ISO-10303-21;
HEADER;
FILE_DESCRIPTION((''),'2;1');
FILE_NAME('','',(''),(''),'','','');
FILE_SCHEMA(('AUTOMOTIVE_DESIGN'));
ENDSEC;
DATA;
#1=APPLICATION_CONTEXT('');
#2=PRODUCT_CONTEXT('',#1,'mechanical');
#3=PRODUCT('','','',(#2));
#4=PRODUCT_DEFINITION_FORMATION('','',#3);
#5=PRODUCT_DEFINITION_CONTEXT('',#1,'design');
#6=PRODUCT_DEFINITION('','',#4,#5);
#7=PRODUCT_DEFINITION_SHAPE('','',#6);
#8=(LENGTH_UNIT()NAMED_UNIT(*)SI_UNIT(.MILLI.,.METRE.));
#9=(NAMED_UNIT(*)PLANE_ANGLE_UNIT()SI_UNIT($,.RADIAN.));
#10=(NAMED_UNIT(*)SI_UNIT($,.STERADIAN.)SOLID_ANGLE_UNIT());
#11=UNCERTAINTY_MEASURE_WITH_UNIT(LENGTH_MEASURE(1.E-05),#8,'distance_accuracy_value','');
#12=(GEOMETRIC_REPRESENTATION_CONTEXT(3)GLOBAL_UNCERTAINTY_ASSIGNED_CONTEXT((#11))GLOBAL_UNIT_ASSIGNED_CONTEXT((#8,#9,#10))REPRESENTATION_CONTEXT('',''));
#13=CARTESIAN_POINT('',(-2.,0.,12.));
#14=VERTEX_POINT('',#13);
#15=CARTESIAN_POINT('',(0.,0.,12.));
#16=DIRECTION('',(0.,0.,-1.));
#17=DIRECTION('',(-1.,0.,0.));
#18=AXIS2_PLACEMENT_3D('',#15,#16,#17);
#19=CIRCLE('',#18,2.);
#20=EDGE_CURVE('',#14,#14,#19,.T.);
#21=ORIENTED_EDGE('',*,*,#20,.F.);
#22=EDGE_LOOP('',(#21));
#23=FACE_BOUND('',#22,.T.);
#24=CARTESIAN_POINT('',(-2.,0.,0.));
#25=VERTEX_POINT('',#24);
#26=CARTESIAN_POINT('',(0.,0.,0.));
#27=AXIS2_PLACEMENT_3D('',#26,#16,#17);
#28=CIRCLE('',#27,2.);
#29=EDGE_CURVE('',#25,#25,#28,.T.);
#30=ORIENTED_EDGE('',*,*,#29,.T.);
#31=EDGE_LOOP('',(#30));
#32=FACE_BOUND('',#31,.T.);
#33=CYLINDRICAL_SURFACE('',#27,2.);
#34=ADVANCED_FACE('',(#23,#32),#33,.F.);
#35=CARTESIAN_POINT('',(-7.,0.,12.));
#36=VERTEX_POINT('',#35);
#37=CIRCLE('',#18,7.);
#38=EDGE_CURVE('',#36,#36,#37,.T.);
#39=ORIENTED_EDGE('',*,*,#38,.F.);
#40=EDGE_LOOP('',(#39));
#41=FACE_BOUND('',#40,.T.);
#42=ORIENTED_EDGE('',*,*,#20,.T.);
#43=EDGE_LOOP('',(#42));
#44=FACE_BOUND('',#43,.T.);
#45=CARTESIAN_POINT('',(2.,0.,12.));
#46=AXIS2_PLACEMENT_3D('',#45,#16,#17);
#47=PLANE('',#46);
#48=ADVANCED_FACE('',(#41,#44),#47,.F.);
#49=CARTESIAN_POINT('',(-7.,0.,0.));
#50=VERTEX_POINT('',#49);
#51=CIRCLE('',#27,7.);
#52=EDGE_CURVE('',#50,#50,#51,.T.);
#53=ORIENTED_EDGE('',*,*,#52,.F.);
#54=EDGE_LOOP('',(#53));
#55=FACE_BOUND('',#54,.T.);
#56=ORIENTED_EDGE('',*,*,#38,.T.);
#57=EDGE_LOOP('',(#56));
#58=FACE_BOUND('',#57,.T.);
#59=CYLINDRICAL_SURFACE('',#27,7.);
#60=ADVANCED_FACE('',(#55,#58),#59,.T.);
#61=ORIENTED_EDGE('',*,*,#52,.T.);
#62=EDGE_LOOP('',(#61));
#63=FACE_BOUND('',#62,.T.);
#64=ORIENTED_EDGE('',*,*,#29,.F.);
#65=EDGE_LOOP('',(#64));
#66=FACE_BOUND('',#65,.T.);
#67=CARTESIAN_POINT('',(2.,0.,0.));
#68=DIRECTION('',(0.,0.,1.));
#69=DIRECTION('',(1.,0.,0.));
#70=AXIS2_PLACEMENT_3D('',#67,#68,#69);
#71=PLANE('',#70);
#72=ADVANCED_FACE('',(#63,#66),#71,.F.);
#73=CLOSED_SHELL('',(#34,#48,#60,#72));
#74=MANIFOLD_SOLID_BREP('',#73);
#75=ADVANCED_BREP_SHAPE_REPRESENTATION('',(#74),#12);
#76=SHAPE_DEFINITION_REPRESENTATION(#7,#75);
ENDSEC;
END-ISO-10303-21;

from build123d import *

# Parameters (mm, degrees)
ANNULUSPROFILE_W = 5
ANNULUSPROFILE_H = 12


with BuildPart() as part:
    # AnnulusProfile → Revolution (revolve)
    with BuildSketch(Plane(origin=(0, 0, 0), x_dir=(1, 0, 0), z_dir=(0, 1, 0)), mode=Mode.PRIVATE) as revolution_sk:
        with Locations((4.5, -6)):
            Rectangle(ANNULUSPROFILE_W, ANNULUSPROFILE_H)
    revolve(revolution_sk.sketch.rotate(Axis((0, 0, 0), (0, 0, 1)), 180), axis=Axis((0, 0, 0), (0, 0, 1)))


solid = part.part
